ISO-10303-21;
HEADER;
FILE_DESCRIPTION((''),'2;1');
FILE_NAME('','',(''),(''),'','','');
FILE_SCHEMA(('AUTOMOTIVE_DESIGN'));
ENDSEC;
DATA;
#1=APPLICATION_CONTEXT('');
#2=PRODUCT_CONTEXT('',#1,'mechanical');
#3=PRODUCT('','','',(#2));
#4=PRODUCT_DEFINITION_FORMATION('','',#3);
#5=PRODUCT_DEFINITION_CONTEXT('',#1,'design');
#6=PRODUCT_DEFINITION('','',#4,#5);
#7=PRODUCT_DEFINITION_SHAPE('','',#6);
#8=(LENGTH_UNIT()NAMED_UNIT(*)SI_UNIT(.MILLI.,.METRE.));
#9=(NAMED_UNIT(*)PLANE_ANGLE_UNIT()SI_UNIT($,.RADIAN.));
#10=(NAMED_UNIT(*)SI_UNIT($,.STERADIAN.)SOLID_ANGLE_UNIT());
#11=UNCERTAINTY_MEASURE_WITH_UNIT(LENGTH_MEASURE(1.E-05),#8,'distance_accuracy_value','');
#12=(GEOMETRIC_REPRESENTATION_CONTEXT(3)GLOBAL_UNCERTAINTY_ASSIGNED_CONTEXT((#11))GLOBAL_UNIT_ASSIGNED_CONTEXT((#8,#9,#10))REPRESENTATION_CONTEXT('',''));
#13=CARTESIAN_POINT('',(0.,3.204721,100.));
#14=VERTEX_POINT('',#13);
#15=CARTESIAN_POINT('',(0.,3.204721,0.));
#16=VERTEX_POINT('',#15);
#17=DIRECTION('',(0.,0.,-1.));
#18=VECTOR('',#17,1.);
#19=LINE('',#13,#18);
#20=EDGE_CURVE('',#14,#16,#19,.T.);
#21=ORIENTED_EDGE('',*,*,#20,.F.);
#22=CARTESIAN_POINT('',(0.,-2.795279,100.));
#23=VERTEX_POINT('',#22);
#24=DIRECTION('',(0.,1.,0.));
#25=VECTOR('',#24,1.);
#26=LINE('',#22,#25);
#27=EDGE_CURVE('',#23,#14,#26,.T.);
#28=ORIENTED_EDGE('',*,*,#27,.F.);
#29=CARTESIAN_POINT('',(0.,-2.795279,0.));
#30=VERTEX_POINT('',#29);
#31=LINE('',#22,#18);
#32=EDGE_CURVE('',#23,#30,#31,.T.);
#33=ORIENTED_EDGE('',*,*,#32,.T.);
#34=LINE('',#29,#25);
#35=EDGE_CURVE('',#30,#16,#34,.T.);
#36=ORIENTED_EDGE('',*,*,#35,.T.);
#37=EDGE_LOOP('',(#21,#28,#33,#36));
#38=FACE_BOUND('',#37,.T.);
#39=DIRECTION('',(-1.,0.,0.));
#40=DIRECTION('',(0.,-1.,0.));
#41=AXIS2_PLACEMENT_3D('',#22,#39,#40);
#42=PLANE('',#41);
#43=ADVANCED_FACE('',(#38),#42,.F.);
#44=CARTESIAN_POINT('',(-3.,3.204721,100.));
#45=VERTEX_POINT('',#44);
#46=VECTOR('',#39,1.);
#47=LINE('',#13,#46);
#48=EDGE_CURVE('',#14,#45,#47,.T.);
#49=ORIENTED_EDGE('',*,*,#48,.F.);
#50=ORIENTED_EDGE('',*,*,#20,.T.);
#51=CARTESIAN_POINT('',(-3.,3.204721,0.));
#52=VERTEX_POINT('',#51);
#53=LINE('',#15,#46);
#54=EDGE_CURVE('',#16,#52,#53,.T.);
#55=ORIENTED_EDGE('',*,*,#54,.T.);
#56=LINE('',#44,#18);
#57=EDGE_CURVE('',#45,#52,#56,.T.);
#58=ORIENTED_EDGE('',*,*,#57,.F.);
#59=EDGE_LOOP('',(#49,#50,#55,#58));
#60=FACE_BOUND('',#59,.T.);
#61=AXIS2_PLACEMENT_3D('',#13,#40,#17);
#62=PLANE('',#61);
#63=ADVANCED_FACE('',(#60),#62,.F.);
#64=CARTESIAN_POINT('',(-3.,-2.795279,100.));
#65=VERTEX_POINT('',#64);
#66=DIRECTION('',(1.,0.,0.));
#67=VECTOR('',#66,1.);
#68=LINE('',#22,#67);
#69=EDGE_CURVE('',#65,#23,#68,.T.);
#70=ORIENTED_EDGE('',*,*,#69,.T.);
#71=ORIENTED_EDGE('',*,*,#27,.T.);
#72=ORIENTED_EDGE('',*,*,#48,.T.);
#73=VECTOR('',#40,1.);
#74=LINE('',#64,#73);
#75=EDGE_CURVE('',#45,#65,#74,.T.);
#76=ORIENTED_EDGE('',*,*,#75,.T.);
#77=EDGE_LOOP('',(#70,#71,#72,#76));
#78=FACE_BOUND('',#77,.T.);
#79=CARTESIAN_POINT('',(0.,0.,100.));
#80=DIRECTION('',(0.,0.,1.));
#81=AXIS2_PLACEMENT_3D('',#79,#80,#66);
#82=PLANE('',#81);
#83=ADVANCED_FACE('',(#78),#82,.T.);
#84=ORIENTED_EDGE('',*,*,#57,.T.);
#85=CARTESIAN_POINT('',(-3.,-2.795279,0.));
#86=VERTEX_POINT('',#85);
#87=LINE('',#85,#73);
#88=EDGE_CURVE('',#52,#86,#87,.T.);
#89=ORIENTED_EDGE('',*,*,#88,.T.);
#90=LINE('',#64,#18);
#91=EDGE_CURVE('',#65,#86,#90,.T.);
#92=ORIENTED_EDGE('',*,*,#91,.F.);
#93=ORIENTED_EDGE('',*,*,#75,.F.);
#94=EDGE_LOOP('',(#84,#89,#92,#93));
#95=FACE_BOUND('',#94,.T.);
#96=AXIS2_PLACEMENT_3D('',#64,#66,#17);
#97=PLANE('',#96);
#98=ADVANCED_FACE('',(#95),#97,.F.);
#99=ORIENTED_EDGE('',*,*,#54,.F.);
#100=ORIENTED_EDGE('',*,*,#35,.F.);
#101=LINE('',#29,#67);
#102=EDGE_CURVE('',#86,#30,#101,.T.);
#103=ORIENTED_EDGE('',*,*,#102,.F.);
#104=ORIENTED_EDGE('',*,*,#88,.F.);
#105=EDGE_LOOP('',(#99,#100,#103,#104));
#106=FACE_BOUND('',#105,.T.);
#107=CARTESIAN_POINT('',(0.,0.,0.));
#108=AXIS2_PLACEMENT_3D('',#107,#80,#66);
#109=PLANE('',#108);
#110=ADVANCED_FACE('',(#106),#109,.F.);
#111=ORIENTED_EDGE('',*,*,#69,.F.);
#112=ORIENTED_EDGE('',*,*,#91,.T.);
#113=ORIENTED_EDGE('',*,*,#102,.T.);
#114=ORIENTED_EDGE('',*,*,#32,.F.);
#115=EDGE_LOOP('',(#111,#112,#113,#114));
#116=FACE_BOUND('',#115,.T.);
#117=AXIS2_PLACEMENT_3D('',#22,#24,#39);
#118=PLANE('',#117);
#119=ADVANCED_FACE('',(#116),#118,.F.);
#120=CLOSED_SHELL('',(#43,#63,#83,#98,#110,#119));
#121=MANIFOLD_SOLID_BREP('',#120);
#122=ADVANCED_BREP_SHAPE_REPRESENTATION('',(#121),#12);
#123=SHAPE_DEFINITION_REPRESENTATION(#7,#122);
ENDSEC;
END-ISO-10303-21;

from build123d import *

# Parameters (mm, degrees)
SKETCH_2_W      = 3
SKETCH_2_H      = 6
EXTRUDE_1_DEPTH = 100


with BuildPart() as part:
    # 草图2 → 凸台-拉伸1 (new body)
    with BuildSketch(Plane.XY):
        with Locations((-1.5, 0.204721125)):
            Rectangle(SKETCH_2_W, SKETCH_2_H)
    extrude(amount=EXTRUDE_1_DEPTH)


solid = part.part
